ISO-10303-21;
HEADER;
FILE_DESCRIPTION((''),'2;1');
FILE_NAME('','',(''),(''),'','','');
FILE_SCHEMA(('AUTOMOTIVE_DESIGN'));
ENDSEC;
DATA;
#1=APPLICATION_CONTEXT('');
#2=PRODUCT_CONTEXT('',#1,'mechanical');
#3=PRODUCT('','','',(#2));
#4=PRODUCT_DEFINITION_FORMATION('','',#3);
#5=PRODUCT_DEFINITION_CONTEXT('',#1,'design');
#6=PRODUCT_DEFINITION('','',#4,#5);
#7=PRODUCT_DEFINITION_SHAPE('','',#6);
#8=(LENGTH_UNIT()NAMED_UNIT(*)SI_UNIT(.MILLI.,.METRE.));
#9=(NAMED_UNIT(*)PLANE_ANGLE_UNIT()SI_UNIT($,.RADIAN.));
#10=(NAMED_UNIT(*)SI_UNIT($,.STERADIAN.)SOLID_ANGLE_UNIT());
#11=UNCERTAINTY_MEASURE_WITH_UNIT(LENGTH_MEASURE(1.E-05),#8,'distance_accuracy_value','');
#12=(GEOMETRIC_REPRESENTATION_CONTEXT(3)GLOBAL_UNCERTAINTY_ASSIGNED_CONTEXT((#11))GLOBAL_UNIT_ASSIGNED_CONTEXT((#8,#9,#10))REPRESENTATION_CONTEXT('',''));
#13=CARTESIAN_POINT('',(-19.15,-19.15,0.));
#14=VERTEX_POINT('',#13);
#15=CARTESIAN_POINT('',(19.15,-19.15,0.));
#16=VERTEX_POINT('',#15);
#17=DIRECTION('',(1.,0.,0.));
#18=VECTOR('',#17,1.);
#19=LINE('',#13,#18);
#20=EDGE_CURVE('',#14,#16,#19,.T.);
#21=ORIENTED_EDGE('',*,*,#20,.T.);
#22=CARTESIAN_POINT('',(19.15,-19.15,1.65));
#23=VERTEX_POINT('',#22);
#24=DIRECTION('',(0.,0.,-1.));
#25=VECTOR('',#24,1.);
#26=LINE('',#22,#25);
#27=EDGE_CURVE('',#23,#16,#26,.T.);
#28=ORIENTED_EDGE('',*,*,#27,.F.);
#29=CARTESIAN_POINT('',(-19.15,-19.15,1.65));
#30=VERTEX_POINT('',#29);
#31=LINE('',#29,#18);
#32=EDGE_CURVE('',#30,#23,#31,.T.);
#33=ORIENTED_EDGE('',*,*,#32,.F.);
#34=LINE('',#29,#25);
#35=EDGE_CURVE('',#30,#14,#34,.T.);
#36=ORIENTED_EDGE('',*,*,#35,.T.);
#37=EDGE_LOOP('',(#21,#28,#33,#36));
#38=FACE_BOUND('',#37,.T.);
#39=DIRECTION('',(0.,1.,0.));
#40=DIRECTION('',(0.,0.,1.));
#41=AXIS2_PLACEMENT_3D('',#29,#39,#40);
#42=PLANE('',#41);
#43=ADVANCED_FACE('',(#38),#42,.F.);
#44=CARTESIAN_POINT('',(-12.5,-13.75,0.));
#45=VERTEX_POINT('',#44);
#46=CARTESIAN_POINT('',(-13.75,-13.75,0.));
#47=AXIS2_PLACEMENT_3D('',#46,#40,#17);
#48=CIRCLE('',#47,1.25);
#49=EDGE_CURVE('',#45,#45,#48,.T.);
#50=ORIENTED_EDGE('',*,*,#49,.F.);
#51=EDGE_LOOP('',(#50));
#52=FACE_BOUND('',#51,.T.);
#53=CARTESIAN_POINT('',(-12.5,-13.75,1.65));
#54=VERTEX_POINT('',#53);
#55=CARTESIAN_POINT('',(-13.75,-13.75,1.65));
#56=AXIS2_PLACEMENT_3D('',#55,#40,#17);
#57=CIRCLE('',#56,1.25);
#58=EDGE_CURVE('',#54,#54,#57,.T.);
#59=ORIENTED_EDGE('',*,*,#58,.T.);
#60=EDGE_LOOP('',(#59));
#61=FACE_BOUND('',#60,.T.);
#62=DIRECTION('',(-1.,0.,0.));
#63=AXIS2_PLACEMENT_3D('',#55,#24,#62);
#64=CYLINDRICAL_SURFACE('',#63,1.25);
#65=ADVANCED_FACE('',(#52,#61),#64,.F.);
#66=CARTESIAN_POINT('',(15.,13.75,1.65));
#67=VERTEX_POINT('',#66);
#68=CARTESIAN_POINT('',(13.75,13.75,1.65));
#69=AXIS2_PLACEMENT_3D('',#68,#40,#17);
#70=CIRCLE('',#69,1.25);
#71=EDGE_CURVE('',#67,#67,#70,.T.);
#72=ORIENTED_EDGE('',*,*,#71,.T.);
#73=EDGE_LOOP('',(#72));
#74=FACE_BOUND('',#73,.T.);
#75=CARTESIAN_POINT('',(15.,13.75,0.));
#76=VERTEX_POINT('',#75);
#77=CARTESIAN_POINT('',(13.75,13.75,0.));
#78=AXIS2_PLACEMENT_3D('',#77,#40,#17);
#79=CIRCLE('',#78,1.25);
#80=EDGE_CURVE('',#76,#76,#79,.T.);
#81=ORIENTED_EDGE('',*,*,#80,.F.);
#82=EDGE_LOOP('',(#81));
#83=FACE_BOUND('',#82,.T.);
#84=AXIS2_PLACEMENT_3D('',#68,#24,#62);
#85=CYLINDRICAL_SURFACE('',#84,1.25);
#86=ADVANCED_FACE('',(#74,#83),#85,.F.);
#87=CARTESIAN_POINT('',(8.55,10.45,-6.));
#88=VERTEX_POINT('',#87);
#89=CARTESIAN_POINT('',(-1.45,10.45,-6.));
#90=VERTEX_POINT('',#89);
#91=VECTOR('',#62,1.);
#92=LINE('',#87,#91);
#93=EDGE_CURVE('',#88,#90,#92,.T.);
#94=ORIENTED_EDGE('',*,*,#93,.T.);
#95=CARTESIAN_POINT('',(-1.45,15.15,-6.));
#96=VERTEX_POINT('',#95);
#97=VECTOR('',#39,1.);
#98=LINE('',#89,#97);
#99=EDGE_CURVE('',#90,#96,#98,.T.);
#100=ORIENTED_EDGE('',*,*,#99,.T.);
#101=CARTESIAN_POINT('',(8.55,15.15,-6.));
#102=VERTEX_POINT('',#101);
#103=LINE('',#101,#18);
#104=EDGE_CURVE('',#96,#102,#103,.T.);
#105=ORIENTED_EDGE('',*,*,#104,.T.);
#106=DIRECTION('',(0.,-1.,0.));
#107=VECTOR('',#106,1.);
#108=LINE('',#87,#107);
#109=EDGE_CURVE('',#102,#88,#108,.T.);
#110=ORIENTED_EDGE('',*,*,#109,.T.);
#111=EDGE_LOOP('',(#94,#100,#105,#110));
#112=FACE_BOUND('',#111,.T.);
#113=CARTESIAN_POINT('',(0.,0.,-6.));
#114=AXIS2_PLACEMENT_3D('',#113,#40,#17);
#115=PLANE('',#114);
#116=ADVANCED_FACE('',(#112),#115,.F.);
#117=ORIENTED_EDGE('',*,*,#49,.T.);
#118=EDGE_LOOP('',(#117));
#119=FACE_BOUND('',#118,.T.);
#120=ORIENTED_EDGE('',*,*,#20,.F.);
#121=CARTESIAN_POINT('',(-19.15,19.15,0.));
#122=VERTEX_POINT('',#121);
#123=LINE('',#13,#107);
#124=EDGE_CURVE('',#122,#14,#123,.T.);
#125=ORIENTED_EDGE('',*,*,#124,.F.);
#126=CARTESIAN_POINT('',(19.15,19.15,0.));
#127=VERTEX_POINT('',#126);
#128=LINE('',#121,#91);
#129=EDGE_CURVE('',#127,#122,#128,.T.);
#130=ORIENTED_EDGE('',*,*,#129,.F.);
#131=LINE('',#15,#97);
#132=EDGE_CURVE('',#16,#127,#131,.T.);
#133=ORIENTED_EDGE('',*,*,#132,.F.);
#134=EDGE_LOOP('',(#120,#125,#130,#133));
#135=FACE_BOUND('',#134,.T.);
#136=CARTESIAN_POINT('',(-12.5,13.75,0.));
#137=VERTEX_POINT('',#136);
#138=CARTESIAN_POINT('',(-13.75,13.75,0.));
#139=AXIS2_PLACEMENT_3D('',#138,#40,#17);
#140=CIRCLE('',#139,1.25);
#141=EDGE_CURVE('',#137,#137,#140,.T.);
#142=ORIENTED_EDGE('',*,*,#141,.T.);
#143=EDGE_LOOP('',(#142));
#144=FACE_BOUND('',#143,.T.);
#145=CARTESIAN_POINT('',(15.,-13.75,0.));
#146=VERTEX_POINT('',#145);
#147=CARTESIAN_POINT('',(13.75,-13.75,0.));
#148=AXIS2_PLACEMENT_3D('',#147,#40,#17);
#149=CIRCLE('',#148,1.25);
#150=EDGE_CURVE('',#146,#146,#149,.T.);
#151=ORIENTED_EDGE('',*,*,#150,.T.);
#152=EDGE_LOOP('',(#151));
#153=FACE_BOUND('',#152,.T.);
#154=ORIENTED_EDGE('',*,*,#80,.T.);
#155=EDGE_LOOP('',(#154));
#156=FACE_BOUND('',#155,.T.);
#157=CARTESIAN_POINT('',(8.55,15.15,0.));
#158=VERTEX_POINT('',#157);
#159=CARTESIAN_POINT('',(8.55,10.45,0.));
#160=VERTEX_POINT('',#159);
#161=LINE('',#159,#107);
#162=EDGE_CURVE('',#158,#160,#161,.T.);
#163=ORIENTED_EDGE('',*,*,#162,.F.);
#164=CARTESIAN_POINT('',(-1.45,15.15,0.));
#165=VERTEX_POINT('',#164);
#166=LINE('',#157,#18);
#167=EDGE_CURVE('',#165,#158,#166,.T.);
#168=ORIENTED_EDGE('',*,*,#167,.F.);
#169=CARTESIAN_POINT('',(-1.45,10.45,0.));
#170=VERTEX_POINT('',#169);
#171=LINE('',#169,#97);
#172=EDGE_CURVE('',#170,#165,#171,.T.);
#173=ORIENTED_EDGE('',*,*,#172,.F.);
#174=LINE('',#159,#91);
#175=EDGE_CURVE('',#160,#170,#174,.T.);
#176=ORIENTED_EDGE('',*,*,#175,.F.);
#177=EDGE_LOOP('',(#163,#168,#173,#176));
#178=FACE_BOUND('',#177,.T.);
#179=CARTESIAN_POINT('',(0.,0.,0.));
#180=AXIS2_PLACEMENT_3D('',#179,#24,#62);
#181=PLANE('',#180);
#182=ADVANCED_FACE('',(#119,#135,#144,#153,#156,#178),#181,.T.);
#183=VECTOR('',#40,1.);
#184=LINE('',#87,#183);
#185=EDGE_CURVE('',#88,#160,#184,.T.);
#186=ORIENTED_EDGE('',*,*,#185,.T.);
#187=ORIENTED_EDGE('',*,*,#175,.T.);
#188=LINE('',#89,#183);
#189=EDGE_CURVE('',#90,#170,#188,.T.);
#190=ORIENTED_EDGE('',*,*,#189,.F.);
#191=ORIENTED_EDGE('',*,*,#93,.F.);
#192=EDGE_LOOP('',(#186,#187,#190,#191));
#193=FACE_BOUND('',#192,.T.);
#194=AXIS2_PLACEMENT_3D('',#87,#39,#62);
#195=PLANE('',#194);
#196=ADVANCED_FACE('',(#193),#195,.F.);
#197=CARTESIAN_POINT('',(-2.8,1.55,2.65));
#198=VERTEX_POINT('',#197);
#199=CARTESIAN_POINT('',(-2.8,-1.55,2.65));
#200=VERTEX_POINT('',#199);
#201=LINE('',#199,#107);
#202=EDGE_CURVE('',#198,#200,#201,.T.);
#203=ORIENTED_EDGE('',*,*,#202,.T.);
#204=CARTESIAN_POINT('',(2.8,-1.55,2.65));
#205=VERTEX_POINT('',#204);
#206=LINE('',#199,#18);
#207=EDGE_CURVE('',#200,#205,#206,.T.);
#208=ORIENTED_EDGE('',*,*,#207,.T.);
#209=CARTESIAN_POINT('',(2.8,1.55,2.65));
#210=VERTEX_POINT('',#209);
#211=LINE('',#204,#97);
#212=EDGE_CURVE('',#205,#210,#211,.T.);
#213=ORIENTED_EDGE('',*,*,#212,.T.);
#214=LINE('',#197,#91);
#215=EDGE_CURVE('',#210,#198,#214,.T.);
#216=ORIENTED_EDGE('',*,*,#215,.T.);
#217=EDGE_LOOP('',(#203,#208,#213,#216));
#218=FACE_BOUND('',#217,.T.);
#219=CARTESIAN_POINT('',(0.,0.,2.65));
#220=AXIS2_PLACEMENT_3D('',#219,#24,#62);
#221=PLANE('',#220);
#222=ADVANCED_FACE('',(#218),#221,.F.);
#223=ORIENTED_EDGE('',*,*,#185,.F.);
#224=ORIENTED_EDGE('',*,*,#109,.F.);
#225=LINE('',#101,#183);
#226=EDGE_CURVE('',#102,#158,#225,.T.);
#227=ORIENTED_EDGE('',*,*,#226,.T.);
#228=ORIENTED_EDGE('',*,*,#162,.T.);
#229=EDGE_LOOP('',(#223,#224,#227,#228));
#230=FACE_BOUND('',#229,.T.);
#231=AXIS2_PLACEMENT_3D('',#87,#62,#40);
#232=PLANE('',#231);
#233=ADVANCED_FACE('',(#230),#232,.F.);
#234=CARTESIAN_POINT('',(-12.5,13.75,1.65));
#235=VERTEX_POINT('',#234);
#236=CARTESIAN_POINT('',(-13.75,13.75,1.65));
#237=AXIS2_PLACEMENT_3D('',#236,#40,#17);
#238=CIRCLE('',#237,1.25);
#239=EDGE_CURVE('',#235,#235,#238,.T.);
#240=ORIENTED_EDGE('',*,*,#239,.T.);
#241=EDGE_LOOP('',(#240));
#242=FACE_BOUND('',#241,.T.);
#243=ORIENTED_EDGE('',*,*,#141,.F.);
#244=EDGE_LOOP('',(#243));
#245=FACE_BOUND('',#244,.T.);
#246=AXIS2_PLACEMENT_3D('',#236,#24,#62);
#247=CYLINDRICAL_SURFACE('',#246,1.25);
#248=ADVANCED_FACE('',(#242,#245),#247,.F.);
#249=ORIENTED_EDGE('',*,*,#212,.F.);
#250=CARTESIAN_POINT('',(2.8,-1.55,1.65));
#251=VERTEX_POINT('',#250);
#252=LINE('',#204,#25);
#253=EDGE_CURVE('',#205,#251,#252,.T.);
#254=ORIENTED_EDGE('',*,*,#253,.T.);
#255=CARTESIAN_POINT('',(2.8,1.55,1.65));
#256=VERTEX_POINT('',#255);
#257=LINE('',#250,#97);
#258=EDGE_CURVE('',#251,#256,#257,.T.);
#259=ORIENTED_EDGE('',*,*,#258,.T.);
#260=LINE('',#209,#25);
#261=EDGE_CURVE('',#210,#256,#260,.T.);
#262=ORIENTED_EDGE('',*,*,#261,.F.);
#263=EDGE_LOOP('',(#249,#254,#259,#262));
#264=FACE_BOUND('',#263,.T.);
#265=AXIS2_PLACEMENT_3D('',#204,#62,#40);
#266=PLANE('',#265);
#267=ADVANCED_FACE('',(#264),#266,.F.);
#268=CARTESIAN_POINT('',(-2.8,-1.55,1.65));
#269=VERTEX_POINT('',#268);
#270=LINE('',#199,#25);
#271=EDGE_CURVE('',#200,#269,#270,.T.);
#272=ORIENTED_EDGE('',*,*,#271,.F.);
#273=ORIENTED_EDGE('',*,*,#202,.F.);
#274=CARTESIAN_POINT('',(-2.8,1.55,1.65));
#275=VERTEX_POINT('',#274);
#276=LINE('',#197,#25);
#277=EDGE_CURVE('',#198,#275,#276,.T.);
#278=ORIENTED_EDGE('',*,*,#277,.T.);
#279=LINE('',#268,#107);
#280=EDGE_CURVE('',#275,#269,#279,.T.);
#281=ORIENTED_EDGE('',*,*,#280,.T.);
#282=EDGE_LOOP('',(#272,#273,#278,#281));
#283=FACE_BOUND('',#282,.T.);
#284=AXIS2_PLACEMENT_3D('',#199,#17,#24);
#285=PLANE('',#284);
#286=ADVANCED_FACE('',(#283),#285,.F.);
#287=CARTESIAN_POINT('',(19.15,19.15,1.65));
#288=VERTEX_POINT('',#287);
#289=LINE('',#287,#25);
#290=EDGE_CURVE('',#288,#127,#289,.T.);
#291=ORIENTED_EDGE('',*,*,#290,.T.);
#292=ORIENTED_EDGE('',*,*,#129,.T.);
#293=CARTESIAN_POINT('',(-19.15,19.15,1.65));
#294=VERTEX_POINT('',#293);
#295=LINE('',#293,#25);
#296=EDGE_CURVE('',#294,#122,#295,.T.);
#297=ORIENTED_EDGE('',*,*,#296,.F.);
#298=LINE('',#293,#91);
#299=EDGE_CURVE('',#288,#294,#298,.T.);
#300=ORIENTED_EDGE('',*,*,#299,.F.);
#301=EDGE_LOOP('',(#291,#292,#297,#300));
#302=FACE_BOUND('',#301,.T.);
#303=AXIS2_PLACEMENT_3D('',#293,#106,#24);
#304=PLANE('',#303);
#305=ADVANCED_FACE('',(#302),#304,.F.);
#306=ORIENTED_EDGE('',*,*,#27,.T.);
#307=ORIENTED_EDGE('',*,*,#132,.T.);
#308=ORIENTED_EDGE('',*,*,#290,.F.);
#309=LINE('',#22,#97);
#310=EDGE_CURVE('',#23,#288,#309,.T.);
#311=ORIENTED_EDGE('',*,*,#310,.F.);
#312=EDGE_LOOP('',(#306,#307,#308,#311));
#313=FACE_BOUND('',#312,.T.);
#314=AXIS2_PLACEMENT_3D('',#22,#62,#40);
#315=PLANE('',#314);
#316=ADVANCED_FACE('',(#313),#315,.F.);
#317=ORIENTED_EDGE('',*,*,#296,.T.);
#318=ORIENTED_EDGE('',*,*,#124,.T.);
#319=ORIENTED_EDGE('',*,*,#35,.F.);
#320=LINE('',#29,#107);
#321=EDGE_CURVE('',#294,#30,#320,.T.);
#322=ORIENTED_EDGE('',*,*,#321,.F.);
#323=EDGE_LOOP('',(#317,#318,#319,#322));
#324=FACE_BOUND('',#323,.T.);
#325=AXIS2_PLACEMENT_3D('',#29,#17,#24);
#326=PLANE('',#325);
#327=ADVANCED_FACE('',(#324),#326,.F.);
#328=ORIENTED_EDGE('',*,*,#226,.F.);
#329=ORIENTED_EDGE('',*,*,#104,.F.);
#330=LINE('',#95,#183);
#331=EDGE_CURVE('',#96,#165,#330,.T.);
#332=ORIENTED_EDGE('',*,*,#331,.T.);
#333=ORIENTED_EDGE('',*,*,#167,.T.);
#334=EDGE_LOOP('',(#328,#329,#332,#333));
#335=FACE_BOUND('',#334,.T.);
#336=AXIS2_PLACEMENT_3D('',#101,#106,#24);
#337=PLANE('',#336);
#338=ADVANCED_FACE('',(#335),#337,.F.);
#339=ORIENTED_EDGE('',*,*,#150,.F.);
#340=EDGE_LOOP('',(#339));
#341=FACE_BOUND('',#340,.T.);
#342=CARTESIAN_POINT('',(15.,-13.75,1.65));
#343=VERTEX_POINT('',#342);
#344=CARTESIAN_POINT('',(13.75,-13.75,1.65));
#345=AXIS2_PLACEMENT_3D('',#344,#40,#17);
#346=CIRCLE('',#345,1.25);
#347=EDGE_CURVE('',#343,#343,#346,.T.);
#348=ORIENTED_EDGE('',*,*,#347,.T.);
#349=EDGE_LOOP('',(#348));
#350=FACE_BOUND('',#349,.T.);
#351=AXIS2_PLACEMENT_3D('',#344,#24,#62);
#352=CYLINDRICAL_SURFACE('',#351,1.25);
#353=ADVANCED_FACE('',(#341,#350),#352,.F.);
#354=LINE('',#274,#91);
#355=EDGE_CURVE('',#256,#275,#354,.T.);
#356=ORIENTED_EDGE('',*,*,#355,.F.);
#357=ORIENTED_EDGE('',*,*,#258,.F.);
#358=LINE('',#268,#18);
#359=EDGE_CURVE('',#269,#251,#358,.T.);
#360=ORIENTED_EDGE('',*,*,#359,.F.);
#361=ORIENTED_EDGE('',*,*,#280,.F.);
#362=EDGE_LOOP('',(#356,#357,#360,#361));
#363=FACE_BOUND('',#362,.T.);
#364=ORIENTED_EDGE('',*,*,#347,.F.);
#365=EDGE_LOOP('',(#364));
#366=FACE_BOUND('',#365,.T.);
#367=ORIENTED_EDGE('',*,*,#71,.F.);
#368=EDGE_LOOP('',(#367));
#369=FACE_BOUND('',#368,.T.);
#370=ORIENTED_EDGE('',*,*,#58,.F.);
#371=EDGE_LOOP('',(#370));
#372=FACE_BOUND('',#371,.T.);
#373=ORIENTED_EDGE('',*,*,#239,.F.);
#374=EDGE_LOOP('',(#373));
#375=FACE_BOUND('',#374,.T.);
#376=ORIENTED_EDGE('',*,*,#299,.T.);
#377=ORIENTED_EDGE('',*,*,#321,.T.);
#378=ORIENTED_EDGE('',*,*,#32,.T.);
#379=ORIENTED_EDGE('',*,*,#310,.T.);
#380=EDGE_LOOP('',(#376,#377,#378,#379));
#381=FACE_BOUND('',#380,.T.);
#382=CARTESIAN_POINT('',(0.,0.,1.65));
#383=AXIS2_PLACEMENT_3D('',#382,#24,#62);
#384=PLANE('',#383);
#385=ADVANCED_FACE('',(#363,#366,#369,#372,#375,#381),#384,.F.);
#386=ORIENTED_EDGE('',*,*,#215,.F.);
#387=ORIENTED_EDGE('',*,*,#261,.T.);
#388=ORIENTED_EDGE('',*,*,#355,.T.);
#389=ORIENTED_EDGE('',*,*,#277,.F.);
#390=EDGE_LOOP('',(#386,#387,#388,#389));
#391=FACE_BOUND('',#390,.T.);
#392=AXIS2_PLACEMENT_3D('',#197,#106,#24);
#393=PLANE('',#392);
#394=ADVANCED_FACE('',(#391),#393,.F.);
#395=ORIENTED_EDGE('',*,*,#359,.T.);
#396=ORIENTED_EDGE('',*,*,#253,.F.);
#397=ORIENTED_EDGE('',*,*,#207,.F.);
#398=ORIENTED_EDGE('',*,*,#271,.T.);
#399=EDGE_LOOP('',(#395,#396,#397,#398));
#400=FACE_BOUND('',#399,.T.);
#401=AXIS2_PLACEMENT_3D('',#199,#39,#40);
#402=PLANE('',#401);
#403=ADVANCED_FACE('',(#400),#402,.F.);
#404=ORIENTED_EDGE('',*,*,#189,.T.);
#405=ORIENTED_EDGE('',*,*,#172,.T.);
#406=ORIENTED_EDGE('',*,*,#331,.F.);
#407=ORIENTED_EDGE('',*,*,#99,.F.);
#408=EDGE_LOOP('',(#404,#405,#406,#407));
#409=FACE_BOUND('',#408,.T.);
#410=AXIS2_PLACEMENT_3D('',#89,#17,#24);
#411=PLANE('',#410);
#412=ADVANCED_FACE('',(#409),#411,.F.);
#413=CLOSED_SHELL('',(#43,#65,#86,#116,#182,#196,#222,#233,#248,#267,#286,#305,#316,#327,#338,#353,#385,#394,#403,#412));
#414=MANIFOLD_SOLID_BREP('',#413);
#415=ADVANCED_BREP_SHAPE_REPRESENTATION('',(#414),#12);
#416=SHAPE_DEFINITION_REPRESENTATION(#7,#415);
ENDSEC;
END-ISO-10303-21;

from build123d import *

# Parameters (mm, degrees)
SKIZZE1_W                       = 38.3
SKIZZE1_H                       = 38.3
SKIZZE1_R                       = 1.25
AUFSATZ_LINEAR_AUSTRAGEN1_DEPTH = 1.65
SKIZZE2_W                       = 5.6
SKIZZE2_H                       = 3.1
AUFSATZ_LINEAR_AUSTRAGEN2_DEPTH = 1
SKETCH2_W                       = 10
SKETCH2_H                       = 4.7
BOSS_EXTRUDE1_DEPTH             = 6


with BuildPart() as part:
    # Skizze1 → Aufsatz-Linear austragen1 (new body)
    with BuildSketch(Plane.XY):
        Rectangle(SKIZZE1_W, SKIZZE1_H)
        with Locations((-13.75, 13.75)):
            Circle(SKIZZE1_R, mode=Mode.SUBTRACT)
        with Locations((13.75, 13.75)):
            Circle(SKIZZE1_R, mode=Mode.SUBTRACT)
        with Locations((13.75, -13.75)):
            Circle(SKIZZE1_R, mode=Mode.SUBTRACT)
        with Locations((-13.75, -13.75)):
            Circle(SKIZZE1_R, mode=Mode.SUBTRACT)
    extrude(amount=AUFSATZ_LINEAR_AUSTRAGEN1_DEPTH)

    # Skizze2 → Aufsatz-Linear austragen2 (add)
    with BuildSketch(Plane.XY.offset(1.65)):
        Rectangle(SKIZZE2_W, SKIZZE2_H)
    extrude(amount=AUFSATZ_LINEAR_AUSTRAGEN2_DEPTH)

    # Sketch2 → Boss-Extrude1 (add)
    with BuildSketch(Plane(origin=(0, 0, 0), x_dir=(-1, 0, 0), z_dir=(0, 0, -1))):
        with Locations((-3.55, 12.8)):
            Rectangle(SKETCH2_W, SKETCH2_H)
    extrude(amount=BOSS_EXTRUDE1_DEPTH)


solid = part.part
